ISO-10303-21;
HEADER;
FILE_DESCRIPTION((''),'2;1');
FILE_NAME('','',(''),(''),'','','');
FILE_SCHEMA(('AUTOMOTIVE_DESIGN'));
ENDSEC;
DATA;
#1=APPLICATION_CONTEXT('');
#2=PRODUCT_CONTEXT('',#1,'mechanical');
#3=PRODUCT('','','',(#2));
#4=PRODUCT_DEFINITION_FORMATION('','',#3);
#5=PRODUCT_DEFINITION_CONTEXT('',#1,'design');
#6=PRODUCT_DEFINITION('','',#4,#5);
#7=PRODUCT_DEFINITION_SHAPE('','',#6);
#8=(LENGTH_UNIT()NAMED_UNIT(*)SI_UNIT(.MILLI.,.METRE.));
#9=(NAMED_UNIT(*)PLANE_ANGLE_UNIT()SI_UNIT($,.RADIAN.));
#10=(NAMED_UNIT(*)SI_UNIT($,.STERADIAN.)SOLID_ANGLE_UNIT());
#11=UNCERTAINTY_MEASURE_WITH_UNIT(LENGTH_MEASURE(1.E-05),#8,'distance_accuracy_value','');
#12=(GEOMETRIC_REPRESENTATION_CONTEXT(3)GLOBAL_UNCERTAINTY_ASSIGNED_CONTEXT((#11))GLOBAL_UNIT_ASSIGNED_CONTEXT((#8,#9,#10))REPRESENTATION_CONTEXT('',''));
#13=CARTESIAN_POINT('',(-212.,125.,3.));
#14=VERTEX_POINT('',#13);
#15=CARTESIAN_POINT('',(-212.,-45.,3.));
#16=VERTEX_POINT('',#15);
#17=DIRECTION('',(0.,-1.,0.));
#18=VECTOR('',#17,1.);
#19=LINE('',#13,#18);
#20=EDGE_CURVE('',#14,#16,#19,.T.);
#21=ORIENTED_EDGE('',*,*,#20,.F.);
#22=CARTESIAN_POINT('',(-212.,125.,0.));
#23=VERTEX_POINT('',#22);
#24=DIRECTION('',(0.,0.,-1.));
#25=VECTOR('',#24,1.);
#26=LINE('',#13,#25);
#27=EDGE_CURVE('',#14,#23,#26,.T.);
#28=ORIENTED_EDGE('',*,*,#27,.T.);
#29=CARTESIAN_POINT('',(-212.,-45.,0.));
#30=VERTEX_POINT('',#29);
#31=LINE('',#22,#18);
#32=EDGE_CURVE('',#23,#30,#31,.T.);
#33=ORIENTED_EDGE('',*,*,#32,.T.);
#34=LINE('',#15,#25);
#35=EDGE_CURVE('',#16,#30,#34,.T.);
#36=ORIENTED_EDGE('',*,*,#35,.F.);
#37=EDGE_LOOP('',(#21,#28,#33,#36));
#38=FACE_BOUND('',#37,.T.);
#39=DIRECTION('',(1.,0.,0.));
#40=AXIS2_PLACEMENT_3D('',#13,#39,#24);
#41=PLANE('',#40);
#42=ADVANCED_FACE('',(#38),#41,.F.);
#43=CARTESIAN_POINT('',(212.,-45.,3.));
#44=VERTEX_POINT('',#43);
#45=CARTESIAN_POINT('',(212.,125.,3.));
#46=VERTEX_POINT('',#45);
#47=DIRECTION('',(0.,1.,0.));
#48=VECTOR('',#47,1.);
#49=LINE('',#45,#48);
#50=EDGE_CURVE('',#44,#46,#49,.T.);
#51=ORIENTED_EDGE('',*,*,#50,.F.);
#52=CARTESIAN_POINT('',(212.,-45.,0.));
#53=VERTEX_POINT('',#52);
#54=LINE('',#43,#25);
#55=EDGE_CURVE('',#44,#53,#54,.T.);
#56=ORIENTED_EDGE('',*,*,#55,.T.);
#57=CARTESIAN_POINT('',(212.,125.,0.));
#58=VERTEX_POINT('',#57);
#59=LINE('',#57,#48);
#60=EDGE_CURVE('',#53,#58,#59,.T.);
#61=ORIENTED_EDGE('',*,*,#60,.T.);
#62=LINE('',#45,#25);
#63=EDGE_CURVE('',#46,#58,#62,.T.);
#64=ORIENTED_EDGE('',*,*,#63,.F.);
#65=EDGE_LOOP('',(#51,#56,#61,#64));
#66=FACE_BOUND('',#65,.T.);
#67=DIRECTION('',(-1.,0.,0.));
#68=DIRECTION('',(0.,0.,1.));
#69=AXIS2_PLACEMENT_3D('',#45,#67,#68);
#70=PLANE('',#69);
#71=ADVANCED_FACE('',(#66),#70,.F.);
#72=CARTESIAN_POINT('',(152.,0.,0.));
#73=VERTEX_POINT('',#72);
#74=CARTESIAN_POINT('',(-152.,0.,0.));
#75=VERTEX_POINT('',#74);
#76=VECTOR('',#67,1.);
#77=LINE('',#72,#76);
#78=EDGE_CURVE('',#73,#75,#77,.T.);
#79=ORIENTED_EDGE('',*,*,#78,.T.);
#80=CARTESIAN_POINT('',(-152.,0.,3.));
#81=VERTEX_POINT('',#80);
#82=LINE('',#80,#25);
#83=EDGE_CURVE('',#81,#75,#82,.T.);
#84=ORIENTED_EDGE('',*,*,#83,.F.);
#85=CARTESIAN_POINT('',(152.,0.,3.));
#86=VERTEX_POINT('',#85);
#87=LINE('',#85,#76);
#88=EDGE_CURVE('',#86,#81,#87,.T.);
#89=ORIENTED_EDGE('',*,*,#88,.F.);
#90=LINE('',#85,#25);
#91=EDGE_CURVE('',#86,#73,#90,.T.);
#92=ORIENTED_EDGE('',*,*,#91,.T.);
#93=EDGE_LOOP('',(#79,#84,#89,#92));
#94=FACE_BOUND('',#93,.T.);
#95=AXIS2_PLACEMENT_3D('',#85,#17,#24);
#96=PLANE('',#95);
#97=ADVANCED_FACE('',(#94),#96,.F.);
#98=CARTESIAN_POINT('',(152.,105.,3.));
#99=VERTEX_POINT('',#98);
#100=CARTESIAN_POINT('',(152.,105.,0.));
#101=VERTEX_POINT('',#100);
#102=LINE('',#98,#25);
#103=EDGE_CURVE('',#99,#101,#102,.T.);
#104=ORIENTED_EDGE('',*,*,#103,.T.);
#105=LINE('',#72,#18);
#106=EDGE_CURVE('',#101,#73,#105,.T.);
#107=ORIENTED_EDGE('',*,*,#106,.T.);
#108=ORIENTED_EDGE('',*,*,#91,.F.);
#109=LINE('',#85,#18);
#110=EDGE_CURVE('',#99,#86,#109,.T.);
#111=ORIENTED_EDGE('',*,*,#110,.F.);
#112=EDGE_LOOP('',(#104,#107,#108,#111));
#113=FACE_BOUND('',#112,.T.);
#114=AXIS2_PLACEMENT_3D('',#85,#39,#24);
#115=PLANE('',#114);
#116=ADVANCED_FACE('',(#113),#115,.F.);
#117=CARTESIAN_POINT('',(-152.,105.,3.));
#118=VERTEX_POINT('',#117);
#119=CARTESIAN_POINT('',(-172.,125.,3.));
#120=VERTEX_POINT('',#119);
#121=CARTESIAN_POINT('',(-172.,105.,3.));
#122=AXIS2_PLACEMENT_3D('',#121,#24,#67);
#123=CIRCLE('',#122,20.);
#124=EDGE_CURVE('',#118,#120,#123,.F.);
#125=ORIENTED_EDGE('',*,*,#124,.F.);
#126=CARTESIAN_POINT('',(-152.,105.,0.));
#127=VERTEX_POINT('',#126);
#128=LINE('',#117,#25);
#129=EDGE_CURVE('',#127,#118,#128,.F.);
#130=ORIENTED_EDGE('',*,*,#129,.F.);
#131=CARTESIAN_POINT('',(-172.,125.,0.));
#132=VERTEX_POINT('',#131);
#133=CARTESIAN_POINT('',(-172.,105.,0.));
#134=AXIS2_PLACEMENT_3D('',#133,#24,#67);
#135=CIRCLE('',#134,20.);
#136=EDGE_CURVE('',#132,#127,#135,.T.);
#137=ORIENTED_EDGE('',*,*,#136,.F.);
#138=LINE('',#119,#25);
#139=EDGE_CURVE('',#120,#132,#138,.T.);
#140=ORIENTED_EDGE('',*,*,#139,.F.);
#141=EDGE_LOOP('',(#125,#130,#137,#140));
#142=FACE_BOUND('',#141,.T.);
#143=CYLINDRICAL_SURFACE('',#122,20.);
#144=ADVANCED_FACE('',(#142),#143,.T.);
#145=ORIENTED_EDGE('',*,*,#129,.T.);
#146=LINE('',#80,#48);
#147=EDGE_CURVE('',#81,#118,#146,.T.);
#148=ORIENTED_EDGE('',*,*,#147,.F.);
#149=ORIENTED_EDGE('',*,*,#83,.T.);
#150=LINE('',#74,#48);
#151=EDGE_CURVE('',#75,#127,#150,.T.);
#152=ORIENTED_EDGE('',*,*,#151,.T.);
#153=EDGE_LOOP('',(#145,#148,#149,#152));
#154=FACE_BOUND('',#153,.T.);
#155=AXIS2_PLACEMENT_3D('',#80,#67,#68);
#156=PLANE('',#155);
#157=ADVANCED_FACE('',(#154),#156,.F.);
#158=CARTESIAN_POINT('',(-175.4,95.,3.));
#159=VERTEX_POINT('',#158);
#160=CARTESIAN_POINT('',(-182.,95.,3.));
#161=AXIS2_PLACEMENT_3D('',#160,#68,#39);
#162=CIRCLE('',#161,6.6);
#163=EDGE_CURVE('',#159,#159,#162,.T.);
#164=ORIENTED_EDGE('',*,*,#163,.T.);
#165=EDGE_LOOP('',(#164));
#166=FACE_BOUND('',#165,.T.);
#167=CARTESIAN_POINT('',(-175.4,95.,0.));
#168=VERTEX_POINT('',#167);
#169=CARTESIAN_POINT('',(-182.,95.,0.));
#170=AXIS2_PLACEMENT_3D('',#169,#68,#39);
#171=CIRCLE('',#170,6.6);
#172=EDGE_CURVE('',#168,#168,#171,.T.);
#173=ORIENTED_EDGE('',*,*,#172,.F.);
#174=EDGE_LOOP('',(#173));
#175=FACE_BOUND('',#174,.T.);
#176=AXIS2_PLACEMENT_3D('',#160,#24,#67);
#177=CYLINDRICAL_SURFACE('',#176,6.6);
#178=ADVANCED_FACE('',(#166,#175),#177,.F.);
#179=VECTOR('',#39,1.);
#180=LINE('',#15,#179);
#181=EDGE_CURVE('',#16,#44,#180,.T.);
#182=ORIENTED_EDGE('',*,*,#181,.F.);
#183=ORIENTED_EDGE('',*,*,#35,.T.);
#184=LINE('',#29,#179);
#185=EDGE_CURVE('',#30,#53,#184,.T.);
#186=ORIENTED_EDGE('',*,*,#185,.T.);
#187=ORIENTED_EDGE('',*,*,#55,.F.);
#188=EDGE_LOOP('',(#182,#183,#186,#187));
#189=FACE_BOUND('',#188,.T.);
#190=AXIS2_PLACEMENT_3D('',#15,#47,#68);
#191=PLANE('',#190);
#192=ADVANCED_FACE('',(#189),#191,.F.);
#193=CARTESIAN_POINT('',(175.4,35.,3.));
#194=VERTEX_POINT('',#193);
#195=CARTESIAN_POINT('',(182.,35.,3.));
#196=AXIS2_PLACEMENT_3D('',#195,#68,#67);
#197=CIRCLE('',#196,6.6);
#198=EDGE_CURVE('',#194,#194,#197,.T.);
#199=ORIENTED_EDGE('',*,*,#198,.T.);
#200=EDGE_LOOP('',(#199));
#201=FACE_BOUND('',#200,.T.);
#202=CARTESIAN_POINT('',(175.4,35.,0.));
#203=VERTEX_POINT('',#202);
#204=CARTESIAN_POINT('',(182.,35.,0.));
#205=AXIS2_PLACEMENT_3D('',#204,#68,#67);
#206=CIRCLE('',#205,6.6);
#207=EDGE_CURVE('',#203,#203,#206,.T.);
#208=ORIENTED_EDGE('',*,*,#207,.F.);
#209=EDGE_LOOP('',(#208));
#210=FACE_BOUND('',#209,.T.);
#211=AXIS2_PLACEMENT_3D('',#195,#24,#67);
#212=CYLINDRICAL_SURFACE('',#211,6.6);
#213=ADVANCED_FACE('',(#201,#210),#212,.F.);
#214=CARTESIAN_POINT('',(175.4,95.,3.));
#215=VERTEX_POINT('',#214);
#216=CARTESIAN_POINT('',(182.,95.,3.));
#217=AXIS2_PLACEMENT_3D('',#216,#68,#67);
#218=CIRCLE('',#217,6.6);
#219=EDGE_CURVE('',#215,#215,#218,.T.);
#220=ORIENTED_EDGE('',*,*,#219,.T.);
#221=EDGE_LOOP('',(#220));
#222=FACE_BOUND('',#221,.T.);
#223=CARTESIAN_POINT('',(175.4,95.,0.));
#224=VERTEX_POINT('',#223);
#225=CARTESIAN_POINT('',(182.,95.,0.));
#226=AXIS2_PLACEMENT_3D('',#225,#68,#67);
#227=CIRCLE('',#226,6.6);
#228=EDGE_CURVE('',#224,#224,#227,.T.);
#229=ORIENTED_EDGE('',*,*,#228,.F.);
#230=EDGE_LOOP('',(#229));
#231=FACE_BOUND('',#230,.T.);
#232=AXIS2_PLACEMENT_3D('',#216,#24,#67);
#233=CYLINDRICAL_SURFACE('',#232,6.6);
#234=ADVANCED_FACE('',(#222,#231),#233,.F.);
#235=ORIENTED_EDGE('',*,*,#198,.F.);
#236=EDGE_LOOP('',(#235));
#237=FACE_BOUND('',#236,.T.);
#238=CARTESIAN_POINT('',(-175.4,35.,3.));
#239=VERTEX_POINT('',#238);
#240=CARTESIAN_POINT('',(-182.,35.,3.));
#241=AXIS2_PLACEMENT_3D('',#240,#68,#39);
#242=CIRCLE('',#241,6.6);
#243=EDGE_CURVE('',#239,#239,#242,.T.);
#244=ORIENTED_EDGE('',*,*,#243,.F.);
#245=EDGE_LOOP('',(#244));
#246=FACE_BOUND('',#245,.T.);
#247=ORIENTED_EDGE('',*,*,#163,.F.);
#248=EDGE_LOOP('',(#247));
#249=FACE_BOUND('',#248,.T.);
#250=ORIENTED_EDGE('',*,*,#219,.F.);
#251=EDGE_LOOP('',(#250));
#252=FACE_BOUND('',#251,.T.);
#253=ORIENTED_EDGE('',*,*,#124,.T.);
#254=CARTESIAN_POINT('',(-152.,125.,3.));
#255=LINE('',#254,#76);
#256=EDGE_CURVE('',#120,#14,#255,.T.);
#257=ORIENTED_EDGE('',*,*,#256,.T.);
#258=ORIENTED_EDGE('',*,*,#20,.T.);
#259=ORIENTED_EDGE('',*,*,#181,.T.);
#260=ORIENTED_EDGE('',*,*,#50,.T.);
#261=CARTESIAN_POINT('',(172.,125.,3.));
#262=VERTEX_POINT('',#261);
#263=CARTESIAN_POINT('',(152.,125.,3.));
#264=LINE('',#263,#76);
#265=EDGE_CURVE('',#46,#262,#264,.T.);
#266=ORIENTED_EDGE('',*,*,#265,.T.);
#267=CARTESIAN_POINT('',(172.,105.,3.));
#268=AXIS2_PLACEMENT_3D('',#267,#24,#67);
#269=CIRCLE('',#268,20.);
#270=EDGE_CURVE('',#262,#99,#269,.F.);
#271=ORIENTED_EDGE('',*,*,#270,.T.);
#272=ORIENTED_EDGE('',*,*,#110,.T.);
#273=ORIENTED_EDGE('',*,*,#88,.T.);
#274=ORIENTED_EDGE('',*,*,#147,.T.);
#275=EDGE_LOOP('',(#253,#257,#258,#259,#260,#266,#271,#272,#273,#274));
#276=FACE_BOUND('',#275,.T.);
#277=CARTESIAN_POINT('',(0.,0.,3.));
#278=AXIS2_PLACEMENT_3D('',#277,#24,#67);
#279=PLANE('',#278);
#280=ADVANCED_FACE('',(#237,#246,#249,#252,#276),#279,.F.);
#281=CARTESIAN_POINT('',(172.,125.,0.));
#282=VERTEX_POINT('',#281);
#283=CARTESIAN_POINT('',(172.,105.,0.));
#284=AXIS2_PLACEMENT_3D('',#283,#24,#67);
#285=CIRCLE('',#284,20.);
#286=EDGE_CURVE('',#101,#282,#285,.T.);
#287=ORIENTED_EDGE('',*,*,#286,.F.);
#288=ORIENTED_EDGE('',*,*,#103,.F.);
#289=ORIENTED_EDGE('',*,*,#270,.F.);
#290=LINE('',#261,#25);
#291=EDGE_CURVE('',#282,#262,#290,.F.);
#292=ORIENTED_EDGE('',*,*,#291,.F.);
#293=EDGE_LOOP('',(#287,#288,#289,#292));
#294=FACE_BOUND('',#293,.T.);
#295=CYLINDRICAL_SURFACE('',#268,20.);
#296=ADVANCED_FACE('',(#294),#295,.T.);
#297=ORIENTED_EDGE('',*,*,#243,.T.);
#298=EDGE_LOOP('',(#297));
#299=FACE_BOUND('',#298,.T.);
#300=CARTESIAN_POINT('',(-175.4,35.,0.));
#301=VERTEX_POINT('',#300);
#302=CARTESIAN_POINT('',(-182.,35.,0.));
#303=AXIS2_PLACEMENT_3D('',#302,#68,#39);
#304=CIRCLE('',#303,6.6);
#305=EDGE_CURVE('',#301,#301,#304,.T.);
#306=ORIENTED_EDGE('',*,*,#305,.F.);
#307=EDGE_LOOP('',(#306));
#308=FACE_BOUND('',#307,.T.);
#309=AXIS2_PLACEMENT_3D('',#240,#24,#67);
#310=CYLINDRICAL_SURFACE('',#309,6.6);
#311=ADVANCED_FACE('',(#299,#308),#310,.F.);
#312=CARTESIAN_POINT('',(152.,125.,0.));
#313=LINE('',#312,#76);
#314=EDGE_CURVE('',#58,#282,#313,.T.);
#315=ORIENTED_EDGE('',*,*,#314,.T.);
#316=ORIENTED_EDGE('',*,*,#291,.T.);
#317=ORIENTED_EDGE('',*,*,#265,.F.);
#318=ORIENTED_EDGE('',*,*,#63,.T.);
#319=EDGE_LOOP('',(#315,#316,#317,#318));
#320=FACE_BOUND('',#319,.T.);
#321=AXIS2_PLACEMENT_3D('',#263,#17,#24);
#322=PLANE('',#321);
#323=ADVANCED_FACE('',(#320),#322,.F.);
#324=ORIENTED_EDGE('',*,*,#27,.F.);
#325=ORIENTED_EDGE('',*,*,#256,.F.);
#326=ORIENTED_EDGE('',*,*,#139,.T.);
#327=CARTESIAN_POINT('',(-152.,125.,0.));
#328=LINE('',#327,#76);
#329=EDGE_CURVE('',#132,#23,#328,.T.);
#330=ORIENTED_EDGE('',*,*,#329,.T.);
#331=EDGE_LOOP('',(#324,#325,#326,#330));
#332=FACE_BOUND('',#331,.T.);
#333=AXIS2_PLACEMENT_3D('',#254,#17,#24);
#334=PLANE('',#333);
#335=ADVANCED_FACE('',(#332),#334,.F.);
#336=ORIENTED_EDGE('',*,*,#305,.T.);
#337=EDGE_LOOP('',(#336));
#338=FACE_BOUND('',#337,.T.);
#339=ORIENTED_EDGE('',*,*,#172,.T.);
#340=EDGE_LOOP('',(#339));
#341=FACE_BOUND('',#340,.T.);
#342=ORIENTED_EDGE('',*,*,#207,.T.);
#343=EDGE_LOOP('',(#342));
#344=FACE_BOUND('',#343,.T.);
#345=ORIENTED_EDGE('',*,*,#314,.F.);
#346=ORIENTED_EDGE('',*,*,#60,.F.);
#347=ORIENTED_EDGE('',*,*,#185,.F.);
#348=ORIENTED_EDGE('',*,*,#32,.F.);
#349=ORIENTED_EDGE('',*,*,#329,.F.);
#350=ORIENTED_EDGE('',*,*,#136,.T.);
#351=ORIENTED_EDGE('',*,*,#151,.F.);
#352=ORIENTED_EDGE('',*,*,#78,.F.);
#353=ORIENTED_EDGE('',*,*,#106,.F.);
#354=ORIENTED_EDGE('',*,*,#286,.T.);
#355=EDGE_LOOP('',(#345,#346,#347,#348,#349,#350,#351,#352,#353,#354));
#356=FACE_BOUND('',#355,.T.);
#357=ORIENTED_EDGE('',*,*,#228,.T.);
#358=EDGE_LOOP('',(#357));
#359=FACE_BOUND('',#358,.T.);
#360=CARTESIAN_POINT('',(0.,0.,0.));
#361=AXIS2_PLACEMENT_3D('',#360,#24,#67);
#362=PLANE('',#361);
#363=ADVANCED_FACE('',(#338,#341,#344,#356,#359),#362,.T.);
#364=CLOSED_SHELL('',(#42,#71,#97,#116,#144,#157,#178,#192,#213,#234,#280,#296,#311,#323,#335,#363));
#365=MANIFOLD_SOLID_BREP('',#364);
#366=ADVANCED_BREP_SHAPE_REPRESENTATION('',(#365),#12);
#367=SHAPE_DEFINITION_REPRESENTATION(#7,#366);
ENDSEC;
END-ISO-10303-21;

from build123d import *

# Parameters (mm, degrees)
SKETCH_1_R      = 6.6
EXTRUDE_1_DEPTH = 3
FILLET_1_R      = 20


with BuildPart() as part:
    # Эскиз1 → Бобышка-Вытянуть1 (new body)
    with BuildSketch(Plane.XY):
        Polygon((152, 0), (-152, 0), (-152, 125), (-212, 125), (-212, -45), (212, -45), (212, 125), (152, 125), align=None)
        with Locations((-182, 95)):
            Circle(SKETCH_1_R, mode=Mode.SUBTRACT)
        with Locations((-182, 35)):
            Circle(SKETCH_1_R, mode=Mode.SUBTRACT)
        with Locations(Location((182, 35, 0), (0, 0, 180))):
            Circle(SKETCH_1_R, mode=Mode.SUBTRACT)
        with Locations(Location((182, 95, 0), (0, 0, 180))):
            Circle(SKETCH_1_R, mode=Mode.SUBTRACT)
    extrude(amount=EXTRUDE_1_DEPTH)

    # Скругление1
    fillet_1_edges = [part.edges().sort_by_distance(p)[0] for p in [
        (-152, 125, 1.5),
        (152, 125, 1.5),
    ]]
    fillet(fillet_1_edges, radius=FILLET_1_R)


solid = part.part
